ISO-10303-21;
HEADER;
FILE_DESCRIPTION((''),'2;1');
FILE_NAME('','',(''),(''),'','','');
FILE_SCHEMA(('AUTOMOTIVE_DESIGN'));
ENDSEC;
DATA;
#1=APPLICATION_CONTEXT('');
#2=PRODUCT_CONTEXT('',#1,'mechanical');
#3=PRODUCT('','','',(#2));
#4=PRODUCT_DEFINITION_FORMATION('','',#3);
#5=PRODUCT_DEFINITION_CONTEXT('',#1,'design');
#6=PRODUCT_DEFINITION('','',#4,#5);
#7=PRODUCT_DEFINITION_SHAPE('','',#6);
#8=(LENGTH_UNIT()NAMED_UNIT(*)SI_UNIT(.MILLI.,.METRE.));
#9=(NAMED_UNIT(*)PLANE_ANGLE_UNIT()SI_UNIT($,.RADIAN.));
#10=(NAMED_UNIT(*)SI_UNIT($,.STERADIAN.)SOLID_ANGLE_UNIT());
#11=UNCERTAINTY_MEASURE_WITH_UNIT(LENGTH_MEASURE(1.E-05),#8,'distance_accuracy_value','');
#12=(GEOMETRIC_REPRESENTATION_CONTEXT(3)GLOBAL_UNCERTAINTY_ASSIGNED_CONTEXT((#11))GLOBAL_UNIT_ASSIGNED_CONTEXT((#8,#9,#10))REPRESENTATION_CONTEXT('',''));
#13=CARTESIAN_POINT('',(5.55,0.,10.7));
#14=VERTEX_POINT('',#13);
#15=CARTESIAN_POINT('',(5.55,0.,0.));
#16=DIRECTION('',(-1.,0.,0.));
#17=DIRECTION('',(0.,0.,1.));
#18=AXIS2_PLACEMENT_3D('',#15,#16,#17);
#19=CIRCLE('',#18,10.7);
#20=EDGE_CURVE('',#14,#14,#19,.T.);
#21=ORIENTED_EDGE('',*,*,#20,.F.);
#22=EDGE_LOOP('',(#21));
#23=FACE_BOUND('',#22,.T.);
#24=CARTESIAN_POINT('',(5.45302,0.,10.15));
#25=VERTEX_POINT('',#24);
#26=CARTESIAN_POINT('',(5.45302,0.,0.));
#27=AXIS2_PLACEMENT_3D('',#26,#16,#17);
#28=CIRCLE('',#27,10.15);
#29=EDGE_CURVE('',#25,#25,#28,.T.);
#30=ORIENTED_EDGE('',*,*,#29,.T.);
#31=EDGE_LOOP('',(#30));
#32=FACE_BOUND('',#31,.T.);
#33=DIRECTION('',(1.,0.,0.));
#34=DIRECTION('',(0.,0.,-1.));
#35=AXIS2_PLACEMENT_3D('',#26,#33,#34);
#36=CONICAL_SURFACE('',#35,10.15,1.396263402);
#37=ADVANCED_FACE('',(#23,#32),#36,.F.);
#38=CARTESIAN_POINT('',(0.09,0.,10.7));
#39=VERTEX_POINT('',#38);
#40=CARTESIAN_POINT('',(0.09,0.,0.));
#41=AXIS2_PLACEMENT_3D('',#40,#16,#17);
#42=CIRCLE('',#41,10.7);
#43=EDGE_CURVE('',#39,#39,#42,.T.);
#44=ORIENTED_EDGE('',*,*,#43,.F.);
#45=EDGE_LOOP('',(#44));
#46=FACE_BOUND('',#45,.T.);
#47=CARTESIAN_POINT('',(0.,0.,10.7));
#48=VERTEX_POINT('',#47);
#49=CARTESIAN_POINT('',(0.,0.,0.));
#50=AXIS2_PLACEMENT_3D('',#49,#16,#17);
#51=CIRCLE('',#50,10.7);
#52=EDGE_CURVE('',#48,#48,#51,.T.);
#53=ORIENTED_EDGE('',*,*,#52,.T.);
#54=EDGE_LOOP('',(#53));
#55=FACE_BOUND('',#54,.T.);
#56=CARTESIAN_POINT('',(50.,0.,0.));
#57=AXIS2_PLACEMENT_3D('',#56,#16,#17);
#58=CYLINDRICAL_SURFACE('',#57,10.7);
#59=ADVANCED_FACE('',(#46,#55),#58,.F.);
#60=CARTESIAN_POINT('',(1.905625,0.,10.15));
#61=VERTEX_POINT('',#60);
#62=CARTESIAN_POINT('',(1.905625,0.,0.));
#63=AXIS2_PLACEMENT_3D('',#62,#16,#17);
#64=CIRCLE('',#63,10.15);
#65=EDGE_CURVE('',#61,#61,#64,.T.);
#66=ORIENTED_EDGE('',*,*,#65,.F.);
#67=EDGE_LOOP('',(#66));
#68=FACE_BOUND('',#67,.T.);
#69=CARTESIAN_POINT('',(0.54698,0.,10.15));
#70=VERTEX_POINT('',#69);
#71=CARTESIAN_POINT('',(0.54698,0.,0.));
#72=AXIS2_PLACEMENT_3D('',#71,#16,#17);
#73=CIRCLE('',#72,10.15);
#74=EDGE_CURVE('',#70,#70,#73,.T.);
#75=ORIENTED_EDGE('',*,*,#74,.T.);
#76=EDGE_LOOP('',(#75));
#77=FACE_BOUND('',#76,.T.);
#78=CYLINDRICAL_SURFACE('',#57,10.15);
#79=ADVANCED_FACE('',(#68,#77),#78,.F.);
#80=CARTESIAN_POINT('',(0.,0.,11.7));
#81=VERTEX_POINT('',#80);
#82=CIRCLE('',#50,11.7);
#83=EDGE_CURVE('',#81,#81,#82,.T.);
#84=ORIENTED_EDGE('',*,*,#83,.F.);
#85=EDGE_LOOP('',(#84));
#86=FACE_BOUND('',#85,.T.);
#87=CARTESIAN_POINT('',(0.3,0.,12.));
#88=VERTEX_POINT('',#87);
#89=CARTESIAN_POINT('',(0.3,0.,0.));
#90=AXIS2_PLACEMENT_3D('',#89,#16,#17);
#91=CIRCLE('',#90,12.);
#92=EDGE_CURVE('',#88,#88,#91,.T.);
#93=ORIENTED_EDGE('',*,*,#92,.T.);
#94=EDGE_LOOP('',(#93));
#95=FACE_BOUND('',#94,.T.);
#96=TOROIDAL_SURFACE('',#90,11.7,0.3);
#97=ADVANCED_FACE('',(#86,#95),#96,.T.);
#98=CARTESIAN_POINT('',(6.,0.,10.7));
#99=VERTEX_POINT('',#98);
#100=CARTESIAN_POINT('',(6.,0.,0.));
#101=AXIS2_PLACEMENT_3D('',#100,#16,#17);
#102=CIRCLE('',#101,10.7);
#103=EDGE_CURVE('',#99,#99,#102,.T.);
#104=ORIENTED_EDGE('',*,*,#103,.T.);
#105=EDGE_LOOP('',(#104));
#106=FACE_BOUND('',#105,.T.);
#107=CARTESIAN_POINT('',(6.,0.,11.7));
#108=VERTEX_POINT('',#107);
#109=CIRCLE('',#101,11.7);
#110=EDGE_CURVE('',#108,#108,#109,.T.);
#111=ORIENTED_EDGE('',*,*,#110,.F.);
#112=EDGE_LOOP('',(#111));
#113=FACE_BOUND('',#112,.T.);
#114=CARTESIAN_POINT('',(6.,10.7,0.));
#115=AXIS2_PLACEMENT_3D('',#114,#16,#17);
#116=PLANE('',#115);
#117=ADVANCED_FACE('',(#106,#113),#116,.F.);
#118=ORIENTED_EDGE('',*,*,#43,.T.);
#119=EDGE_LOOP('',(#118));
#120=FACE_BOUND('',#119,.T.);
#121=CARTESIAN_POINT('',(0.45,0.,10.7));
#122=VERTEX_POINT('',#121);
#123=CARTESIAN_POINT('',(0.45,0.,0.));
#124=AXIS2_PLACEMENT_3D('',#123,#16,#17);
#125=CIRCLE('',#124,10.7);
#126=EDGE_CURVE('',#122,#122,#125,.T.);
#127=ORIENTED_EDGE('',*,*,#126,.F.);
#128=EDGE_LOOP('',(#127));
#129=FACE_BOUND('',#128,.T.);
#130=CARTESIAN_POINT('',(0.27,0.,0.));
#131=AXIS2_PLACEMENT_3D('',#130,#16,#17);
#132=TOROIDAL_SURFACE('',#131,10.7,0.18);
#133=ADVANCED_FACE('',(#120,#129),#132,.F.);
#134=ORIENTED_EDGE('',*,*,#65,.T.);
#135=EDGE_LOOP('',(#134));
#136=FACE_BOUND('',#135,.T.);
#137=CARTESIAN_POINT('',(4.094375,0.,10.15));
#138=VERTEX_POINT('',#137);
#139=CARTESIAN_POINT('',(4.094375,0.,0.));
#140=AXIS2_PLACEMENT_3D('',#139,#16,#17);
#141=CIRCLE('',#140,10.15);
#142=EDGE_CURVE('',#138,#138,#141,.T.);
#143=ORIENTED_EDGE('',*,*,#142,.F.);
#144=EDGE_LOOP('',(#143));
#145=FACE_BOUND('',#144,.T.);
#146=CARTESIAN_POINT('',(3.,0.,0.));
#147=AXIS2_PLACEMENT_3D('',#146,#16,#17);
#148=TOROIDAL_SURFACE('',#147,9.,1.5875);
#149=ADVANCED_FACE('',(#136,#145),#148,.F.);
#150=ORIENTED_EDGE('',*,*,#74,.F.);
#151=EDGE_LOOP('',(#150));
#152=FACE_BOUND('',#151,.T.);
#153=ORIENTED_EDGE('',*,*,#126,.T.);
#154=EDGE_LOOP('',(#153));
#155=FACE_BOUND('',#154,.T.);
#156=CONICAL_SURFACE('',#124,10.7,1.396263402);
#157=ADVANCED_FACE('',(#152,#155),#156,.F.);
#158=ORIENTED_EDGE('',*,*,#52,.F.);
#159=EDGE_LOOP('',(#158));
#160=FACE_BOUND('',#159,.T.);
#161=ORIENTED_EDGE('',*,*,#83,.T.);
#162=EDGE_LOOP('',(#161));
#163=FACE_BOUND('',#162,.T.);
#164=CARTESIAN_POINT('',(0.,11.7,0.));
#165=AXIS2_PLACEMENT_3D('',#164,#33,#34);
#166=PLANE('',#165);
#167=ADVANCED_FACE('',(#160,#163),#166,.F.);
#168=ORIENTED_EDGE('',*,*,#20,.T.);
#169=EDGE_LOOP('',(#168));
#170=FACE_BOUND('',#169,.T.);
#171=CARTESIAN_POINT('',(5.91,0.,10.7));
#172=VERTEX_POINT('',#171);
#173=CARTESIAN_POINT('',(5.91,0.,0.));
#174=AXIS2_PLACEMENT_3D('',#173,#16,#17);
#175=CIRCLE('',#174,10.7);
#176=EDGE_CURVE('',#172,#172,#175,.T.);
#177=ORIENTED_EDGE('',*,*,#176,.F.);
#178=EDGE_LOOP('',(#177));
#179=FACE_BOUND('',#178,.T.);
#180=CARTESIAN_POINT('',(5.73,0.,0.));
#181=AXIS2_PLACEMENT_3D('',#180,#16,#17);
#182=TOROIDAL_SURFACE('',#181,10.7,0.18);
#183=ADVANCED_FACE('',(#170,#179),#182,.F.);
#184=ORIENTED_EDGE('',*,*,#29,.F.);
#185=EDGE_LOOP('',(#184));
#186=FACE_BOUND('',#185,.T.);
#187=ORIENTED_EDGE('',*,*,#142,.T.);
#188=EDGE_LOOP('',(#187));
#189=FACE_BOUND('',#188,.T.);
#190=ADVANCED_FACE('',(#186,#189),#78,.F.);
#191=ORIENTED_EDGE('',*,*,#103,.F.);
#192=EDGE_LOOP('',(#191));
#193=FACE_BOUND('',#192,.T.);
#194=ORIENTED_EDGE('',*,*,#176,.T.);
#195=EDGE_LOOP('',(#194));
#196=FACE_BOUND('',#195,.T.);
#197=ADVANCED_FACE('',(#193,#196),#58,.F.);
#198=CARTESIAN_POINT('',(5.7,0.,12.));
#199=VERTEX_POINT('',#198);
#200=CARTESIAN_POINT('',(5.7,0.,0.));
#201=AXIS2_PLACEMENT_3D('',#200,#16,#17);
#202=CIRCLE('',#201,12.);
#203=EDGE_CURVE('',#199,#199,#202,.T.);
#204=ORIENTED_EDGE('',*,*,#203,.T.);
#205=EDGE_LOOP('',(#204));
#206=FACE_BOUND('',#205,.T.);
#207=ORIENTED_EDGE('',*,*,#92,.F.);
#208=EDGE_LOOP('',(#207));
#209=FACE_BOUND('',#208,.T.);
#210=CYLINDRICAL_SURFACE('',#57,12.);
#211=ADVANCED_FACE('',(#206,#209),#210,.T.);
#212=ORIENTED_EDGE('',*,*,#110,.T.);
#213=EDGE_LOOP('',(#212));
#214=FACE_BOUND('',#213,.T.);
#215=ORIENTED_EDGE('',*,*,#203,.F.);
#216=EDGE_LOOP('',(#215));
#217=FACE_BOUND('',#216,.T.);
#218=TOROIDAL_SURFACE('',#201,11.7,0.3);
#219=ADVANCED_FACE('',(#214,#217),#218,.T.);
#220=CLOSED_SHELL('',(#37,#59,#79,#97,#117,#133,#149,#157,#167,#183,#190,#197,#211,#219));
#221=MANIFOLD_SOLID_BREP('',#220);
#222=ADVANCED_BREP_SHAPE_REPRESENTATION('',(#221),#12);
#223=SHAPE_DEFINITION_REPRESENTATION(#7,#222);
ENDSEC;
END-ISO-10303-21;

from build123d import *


with BuildPart() as part:
    # Sketch1 → Revolve1 (revolve)
    with BuildSketch(Plane.XY):
        with BuildLine():
            Line((0, 10.7), (0.09, 10.7))
            ThreePointArc((0.09, 10.7), (0.27, 10.88), (0.45, 10.7))
            Line((0.45, 10.7), (0.546979839, 10.15))
            Line((0.546979839, 10.15), (1.905625178, 10.15))
            ThreePointArc((1.905625178, 10.15), (3, 10.5875), (4.094374822, 10.15))
            Line((4.094374822, 10.15), (5.453020161, 10.15))
            Line((5.453020161, 10.15), (5.55, 10.7))
            ThreePointArc((5.55, 10.7), (5.73, 10.88), (5.91, 10.7))
            Line((5.91, 10.7), (6, 10.7))
            Line((6, 10.7), (6, 11.7))
            ThreePointArc((6, 11.7), (5.912132034, 11.912132034), (5.7, 12))
            Line((5.7, 12), (0.3, 12))
            ThreePointArc((0.3, 12), (0.087867966, 11.912132034), (0, 11.7))
            Line((0, 11.7), (0, 10.7))
        make_face()
    revolve(axis=Axis((50, 0, 0), (-1, 0, 0)))


solid = part.part
